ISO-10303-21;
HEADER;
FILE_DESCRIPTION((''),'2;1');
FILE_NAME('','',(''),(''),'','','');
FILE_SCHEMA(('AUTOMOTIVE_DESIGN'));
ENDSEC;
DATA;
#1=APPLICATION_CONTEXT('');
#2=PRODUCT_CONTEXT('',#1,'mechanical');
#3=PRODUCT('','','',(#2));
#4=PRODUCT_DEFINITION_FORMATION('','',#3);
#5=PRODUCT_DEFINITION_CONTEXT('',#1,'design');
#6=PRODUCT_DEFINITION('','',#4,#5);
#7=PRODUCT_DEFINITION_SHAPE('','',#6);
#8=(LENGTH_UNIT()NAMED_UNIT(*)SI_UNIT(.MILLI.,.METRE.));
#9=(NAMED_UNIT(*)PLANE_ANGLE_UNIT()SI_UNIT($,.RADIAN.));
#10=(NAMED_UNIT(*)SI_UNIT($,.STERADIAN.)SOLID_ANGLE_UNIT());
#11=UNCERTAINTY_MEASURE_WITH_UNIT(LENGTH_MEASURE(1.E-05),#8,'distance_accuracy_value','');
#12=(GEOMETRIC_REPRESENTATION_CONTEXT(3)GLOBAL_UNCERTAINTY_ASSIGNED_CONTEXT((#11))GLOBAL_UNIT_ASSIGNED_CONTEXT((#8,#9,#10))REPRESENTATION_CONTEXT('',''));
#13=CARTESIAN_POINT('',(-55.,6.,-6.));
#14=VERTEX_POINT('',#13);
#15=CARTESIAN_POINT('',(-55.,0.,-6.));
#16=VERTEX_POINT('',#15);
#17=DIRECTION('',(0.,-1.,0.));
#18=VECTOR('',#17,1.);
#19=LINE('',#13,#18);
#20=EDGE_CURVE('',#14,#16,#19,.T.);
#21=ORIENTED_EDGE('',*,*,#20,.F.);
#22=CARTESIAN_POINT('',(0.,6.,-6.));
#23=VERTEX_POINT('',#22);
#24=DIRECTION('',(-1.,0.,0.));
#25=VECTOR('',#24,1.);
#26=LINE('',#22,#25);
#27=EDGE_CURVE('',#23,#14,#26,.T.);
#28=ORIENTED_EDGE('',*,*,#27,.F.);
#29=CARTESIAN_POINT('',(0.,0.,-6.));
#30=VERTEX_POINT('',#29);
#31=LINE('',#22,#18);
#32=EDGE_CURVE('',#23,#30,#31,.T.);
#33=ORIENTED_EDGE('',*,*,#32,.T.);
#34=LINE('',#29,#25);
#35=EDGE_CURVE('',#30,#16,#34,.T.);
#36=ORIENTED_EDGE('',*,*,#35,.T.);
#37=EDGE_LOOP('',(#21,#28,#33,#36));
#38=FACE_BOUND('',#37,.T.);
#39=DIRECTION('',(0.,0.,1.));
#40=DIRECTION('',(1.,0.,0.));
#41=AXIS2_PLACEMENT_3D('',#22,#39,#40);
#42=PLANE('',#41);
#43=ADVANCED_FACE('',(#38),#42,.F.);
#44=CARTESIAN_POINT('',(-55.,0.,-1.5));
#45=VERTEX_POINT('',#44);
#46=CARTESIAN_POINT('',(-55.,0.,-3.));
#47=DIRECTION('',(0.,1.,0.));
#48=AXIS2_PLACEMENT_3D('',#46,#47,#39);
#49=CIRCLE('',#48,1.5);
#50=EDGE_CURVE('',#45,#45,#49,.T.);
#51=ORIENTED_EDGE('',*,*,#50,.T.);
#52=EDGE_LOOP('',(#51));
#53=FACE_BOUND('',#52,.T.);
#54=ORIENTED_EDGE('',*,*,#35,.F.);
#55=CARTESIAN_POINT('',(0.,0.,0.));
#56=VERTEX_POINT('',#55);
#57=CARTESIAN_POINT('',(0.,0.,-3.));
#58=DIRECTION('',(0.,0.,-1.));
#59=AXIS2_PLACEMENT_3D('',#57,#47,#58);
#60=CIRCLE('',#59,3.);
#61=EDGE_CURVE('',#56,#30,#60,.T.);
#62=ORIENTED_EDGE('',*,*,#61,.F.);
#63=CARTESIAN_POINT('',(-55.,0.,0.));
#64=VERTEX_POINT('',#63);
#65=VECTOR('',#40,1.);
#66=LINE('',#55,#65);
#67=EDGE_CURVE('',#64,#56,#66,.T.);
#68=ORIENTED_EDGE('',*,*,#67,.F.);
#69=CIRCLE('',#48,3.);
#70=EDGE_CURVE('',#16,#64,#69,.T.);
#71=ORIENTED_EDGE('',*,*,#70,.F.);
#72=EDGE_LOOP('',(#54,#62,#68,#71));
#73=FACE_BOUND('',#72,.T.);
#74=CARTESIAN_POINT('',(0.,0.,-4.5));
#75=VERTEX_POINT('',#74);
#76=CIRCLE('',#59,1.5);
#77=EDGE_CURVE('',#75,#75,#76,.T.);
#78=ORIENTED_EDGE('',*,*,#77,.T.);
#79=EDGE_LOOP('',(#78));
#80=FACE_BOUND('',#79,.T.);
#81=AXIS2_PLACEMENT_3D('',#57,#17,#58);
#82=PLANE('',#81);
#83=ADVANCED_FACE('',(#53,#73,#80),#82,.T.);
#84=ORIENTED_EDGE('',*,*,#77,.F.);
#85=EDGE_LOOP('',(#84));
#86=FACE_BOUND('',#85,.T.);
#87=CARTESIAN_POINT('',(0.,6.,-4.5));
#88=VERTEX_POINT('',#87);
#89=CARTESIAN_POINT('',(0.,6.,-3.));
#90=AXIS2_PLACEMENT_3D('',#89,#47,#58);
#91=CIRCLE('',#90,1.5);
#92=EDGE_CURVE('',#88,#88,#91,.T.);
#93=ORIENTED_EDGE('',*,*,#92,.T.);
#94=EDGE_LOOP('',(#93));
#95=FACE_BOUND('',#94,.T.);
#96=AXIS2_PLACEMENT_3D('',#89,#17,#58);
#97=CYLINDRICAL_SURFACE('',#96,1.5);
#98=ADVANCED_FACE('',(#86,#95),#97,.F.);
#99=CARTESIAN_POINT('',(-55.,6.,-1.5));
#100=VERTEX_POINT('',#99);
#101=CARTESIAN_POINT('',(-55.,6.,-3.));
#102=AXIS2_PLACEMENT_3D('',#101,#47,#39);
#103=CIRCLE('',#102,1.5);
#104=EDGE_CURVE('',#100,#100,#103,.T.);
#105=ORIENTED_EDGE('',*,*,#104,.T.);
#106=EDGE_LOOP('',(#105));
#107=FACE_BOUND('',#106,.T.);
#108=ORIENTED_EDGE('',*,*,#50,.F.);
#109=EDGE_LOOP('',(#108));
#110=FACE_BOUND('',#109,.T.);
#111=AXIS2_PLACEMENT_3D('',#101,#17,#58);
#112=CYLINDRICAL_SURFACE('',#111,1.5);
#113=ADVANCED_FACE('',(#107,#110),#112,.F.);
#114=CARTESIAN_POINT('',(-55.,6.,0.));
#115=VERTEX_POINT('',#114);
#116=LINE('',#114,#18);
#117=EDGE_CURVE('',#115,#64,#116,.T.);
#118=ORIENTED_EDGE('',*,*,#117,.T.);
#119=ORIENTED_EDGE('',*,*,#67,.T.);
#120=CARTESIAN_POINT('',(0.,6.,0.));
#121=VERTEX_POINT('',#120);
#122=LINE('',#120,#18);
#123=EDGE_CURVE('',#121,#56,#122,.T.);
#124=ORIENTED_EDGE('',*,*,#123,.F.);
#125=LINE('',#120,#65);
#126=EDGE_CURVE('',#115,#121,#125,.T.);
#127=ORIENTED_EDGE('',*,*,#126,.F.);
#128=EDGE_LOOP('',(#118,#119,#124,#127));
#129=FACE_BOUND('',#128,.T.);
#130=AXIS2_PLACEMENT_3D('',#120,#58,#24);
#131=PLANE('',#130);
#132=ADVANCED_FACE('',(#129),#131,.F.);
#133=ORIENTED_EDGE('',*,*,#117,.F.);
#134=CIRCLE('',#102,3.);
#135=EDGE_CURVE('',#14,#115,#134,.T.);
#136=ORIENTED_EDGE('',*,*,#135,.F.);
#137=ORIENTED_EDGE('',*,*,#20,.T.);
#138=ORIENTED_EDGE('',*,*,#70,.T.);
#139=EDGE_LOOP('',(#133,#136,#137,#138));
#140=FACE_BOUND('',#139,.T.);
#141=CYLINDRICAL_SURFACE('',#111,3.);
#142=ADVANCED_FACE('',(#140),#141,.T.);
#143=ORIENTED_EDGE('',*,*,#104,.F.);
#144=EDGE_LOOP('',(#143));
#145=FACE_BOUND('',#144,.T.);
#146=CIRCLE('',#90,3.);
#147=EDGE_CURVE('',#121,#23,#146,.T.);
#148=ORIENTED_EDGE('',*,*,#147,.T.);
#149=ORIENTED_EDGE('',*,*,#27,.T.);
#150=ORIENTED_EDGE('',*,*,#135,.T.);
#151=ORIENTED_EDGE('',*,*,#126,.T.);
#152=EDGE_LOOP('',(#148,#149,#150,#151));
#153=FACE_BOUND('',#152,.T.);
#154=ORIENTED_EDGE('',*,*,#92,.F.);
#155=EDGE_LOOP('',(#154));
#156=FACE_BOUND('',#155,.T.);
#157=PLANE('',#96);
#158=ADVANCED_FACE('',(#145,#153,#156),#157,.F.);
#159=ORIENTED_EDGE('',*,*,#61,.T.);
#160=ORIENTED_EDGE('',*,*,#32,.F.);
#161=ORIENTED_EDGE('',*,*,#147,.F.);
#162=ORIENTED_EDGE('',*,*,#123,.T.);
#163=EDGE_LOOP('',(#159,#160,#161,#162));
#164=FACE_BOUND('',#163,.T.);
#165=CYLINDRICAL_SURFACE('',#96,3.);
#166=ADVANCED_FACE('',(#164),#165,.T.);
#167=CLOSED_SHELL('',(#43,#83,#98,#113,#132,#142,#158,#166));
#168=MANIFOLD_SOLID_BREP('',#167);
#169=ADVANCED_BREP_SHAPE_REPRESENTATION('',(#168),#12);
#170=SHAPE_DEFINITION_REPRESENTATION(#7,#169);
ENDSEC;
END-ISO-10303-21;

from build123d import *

# Parameters (mm, degrees)
SKETCH1_R           = 1.5
BOSS_EXTRUDE1_DEPTH = 6


with BuildPart() as part:
    # Sketch1 → Boss-Extrude1 (new body)
    with BuildSketch(Plane(origin=(0, 0, 0), x_dir=(1, 0, 0), z_dir=(0, 1, 0))):
        with BuildLine():
            Line((0, 0), (-55, 0))
            ThreePointArc((-55, 0), (-58, 3), (-55, 6))
            Line((-55, 6), (0, 6))
            ThreePointArc((0, 6), (3, 3), (0, 0))
        make_face()
        with Locations((-55, 3)):
            Circle(SKETCH1_R, mode=Mode.SUBTRACT)
        with Locations((0, 3)):
            Circle(SKETCH1_R, mode=Mode.SUBTRACT)
    extrude(amount=BOSS_EXTRUDE1_DEPTH)


solid = part.part
